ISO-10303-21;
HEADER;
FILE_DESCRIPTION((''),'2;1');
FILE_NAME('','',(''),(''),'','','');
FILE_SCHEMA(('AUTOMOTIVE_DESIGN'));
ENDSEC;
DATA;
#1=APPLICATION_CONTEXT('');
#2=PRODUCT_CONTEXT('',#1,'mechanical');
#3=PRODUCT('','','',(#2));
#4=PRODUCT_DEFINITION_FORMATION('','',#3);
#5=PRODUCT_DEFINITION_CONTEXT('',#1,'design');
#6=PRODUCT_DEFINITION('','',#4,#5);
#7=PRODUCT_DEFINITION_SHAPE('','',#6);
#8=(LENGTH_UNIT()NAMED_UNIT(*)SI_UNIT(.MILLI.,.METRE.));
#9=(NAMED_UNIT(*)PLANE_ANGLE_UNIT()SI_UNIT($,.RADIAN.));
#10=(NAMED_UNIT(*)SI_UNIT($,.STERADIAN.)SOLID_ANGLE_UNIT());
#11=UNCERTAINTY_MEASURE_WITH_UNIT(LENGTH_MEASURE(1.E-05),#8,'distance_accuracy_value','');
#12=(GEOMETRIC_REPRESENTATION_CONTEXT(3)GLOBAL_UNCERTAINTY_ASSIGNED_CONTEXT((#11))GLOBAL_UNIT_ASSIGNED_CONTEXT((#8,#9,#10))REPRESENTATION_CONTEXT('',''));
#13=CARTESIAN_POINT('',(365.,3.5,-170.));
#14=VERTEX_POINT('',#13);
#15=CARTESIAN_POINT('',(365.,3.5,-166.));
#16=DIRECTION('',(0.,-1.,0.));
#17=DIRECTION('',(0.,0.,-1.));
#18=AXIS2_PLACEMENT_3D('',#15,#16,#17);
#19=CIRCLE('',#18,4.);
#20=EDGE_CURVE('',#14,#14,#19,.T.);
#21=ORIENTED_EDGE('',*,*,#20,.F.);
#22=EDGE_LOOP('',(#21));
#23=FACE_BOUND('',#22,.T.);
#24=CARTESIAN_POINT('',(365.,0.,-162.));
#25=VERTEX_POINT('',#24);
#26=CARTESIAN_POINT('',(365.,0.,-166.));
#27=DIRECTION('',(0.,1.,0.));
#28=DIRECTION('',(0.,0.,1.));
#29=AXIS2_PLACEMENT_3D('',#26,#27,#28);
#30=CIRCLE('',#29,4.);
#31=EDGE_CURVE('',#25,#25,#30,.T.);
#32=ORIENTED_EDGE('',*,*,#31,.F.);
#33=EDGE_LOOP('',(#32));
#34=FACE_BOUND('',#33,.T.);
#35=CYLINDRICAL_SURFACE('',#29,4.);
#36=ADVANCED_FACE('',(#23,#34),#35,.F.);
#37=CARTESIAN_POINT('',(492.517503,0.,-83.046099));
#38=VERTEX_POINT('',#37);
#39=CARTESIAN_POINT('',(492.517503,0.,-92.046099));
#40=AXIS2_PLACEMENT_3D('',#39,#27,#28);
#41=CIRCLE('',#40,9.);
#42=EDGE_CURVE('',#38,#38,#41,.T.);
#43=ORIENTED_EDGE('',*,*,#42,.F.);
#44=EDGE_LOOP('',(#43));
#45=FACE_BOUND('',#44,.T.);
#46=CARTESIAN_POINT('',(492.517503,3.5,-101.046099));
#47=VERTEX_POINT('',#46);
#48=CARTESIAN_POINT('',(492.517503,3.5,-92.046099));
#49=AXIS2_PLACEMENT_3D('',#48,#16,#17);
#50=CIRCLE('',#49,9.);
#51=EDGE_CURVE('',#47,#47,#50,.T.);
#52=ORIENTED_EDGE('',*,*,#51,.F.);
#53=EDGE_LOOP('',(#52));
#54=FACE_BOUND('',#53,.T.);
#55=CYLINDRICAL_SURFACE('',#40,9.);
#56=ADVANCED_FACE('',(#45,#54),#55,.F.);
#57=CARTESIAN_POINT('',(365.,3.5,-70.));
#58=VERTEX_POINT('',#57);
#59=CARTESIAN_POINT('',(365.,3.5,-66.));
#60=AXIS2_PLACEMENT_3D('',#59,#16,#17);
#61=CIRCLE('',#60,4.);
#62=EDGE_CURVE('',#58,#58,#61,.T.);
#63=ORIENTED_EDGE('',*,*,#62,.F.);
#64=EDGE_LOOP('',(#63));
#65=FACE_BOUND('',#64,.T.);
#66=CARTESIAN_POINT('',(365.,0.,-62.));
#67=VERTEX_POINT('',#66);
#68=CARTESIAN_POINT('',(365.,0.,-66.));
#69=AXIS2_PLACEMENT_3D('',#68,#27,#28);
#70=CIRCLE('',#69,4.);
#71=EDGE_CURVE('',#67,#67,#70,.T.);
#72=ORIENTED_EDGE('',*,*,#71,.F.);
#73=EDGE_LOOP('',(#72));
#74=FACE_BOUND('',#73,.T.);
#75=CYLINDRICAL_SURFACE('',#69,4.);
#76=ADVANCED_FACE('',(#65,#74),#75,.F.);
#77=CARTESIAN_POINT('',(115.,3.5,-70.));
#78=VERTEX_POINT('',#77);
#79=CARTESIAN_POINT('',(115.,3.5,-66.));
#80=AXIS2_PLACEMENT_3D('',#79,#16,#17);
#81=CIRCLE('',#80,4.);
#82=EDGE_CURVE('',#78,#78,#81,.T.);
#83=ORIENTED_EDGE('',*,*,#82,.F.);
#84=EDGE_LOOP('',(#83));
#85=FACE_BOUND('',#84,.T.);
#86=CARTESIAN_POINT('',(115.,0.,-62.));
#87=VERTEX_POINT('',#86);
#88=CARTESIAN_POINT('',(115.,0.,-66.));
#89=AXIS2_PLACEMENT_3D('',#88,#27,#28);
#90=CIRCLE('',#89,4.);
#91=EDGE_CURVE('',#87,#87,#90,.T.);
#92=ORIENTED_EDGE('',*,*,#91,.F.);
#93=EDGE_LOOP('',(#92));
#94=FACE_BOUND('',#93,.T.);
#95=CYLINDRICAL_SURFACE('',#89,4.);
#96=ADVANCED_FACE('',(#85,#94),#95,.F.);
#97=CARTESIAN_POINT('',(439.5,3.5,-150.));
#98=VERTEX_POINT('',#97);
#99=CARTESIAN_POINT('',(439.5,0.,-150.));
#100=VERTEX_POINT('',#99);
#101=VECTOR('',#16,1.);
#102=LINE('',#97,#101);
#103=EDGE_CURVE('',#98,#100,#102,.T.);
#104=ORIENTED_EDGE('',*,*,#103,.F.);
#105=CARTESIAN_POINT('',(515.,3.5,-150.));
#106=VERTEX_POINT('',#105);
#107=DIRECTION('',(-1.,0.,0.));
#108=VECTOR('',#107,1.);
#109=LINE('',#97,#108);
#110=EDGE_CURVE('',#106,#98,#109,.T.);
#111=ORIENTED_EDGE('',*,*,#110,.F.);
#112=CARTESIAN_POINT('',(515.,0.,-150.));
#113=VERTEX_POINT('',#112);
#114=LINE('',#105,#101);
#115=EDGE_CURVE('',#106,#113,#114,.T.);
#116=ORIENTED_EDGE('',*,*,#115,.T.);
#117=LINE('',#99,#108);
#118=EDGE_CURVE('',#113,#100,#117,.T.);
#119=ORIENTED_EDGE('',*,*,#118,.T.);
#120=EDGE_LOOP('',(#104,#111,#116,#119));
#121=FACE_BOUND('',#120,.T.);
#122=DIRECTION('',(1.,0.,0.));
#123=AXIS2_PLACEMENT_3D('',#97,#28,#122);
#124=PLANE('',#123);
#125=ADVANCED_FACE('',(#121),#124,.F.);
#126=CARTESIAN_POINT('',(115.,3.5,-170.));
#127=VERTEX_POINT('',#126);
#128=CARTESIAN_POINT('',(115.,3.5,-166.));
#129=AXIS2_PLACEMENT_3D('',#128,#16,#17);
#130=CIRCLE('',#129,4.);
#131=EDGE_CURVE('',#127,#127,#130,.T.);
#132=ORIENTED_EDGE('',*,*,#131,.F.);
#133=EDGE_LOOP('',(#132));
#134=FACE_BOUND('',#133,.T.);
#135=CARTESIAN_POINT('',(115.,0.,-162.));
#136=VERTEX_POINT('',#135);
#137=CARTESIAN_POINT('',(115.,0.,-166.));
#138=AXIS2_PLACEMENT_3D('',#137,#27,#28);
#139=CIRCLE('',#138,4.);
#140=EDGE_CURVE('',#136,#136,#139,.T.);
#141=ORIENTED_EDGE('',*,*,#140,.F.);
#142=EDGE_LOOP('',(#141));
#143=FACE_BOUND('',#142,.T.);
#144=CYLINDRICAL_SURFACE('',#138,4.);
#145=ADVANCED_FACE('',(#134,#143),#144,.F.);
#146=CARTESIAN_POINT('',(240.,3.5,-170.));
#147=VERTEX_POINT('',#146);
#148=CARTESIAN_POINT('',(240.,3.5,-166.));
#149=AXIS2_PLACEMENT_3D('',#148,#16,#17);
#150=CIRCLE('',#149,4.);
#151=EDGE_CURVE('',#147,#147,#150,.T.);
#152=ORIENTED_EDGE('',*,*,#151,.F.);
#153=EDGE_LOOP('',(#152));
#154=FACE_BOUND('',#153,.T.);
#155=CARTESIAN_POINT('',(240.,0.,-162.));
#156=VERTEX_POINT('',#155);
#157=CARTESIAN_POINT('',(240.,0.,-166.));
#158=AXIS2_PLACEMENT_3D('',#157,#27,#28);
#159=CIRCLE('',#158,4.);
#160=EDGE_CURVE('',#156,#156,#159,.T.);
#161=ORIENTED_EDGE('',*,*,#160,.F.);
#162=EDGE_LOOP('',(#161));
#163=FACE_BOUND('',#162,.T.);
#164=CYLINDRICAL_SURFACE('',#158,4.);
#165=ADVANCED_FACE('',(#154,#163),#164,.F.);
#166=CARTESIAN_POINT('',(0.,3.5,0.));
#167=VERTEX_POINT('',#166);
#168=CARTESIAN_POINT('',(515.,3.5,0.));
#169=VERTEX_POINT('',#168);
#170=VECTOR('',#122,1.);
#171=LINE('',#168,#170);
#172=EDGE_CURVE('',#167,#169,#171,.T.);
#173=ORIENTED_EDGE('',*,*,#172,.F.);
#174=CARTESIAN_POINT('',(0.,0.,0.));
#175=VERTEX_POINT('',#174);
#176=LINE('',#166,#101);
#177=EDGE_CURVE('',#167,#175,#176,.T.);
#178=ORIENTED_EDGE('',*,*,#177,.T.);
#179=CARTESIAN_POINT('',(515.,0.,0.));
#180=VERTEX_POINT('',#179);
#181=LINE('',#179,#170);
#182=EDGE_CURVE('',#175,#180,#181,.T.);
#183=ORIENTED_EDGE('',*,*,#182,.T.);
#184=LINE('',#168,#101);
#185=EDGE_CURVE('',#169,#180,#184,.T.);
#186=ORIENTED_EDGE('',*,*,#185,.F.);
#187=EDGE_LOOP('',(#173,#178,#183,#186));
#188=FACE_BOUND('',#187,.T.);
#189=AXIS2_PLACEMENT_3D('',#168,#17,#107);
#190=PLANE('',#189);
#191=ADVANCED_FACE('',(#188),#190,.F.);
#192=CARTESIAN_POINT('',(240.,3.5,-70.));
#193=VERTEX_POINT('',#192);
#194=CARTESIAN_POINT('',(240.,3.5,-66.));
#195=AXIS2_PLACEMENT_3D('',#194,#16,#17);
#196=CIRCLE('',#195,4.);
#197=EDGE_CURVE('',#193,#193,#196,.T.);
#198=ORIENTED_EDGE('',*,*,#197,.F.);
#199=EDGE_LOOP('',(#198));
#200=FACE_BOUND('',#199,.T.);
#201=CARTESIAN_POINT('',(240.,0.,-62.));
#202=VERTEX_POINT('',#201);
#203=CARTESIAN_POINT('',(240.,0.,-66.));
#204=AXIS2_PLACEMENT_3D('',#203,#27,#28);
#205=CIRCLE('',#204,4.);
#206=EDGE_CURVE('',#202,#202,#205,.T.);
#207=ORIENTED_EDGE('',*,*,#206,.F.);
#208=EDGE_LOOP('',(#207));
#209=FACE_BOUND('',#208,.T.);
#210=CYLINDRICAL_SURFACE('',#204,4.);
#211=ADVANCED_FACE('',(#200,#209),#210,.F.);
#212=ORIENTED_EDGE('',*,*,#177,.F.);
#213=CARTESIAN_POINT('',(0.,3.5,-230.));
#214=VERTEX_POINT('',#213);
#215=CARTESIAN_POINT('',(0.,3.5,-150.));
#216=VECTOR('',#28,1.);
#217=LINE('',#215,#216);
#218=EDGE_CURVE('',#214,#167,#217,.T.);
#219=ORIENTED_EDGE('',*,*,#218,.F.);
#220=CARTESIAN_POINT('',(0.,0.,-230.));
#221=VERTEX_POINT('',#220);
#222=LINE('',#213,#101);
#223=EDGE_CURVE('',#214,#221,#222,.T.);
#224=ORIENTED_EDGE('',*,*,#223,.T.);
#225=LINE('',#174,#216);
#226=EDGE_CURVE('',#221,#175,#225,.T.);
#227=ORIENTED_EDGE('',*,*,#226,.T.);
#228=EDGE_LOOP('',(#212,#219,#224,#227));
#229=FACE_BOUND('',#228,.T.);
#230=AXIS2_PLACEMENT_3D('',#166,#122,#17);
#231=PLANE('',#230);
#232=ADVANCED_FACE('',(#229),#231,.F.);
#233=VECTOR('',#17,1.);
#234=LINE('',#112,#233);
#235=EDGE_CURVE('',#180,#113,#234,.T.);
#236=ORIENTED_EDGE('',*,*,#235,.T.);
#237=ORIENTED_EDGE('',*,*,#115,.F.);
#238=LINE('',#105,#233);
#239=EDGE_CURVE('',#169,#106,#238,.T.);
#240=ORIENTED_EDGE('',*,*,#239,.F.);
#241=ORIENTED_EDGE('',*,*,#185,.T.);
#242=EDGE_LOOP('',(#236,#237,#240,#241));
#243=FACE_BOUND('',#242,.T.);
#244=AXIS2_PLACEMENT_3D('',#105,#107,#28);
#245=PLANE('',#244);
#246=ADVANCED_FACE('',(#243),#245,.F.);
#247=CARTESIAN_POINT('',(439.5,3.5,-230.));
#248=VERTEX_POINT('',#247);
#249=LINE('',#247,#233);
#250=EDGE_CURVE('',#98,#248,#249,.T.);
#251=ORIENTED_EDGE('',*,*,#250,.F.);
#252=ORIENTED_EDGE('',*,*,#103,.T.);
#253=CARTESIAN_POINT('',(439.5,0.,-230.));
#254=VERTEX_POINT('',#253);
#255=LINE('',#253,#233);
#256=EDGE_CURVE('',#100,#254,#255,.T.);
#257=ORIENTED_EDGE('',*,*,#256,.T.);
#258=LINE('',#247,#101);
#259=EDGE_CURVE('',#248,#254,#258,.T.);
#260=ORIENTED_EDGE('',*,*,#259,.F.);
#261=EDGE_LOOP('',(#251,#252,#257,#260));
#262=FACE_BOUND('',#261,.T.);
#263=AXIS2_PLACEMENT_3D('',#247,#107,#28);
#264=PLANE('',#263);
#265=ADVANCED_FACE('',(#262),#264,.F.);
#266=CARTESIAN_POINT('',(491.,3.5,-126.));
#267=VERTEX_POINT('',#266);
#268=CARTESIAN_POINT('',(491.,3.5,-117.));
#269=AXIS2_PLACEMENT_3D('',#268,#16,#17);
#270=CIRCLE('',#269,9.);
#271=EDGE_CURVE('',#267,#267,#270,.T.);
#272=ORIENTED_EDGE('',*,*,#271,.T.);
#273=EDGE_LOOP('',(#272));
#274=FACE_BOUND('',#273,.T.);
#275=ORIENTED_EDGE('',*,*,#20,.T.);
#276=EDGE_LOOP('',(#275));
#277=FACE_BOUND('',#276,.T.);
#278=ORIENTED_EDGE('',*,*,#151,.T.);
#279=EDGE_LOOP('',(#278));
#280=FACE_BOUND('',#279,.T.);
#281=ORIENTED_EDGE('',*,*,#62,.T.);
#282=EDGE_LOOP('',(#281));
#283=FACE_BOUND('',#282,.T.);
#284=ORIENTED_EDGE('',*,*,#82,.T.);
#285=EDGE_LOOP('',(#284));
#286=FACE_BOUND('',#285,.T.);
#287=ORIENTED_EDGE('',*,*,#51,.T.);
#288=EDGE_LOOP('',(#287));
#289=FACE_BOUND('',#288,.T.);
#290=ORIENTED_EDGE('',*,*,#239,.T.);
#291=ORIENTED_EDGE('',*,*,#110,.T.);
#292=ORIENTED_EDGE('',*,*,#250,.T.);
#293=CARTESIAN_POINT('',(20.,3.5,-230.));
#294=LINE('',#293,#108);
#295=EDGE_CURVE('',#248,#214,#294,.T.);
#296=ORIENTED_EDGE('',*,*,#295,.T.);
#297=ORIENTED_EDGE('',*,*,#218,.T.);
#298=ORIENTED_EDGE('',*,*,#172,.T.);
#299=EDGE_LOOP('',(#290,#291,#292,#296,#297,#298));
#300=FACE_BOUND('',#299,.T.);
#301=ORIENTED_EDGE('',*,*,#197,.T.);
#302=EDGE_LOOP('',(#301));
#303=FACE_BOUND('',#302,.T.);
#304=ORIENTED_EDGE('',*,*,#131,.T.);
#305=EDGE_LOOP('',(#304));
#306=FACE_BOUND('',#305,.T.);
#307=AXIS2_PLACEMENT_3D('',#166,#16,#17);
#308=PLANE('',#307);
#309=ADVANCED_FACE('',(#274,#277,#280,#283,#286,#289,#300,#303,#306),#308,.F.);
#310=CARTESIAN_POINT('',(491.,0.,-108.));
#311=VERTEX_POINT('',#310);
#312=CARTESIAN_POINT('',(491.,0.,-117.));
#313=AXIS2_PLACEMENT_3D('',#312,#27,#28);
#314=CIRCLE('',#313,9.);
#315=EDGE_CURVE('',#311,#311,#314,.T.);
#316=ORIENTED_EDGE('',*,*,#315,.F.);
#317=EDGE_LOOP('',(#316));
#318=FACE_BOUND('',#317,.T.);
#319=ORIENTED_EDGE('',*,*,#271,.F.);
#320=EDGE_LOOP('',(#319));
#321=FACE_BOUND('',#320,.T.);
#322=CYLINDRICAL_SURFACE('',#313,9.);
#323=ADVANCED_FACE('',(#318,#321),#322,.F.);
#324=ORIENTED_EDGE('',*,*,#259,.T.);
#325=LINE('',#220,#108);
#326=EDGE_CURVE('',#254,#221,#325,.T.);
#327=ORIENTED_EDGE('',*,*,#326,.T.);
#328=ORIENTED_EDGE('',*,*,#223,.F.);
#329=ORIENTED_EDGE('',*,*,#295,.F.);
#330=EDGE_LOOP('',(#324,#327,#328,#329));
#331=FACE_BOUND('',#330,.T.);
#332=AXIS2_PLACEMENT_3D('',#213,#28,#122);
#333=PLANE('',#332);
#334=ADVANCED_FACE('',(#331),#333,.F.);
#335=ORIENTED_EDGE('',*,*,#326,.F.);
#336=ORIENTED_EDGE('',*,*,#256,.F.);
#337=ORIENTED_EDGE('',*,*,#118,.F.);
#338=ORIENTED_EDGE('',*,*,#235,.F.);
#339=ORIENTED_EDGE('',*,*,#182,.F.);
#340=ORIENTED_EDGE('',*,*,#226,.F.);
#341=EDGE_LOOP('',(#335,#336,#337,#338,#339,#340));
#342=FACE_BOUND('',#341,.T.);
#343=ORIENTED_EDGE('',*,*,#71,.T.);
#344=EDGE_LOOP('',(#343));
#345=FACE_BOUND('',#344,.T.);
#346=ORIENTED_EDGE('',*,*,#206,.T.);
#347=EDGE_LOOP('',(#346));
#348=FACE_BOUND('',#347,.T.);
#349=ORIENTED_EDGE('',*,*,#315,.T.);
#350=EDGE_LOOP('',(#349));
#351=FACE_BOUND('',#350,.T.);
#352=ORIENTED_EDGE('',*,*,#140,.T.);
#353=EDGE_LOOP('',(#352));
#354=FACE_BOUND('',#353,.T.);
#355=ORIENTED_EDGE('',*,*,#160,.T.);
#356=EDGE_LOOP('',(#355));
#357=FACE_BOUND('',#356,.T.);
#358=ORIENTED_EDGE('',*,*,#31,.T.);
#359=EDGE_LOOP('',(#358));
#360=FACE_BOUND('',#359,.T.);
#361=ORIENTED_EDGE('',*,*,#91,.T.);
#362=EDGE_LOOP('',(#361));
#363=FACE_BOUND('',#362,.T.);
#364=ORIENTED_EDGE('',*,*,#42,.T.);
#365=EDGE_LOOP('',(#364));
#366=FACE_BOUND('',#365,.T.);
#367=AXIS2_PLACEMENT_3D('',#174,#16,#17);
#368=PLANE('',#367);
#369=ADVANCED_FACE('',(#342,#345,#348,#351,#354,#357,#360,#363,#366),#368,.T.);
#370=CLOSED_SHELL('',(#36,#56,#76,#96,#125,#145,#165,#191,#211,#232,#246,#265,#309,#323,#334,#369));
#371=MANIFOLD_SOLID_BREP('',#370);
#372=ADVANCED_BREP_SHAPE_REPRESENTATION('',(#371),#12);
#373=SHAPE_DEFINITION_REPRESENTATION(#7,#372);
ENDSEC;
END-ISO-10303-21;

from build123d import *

# Parameters (mm, degrees)
BOSS_EXTRUDE1_DEPTH     = 3.5
CUT_EXTRUDE1_DEPTH      = 565.036567963
CUT_EXTRUDE1_DEPTH_BACK = 565.036567963
SKETCH2_R               = 4
SKETCH2_R_2             = 9


with BuildPart() as part:
    # Sketch1 → Boss-Extrude1 (new body)
    with BuildSketch(Plane(origin=(0, 0, 0), x_dir=(1, 0, 0), z_dir=(0, 1, 0))):
        Polygon((0, 0), (0, 150), (0, 230), (20, 230), (439.5, 230), (439.5, 150), (515, 150), (515, 0), align=None)
    extrude(amount=BOSS_EXTRUDE1_DEPTH)

    # Sketch2 → Cut-Extrude1 (cut, two sides: drawn at the far end of the back side and taken through both)
    with BuildSketch(Plane(origin=(0, 3.5, 0), x_dir=(1, 0, 0), z_dir=(0, 1, 0)).offset(-CUT_EXTRUDE1_DEPTH_BACK)):
        with Locations((115, 166)):
            Circle(SKETCH2_R)
        with Locations((240, 166)):
            Circle(SKETCH2_R)
        with Locations((365, 166)):
            Circle(SKETCH2_R)
        with Locations((365, 66)):
            Circle(SKETCH2_R)
        with Locations((240, 66)):
            Circle(SKETCH2_R)
        with Locations((115, 66)):
            Circle(SKETCH2_R)
        with Locations((492.517503026, 92.046098811)):
            Circle(SKETCH2_R_2)
        with Locations((491, 117)):
            Circle(SKETCH2_R_2)
    extrude(amount=CUT_EXTRUDE1_DEPTH + CUT_EXTRUDE1_DEPTH_BACK, mode=Mode.SUBTRACT)


solid = part.part
